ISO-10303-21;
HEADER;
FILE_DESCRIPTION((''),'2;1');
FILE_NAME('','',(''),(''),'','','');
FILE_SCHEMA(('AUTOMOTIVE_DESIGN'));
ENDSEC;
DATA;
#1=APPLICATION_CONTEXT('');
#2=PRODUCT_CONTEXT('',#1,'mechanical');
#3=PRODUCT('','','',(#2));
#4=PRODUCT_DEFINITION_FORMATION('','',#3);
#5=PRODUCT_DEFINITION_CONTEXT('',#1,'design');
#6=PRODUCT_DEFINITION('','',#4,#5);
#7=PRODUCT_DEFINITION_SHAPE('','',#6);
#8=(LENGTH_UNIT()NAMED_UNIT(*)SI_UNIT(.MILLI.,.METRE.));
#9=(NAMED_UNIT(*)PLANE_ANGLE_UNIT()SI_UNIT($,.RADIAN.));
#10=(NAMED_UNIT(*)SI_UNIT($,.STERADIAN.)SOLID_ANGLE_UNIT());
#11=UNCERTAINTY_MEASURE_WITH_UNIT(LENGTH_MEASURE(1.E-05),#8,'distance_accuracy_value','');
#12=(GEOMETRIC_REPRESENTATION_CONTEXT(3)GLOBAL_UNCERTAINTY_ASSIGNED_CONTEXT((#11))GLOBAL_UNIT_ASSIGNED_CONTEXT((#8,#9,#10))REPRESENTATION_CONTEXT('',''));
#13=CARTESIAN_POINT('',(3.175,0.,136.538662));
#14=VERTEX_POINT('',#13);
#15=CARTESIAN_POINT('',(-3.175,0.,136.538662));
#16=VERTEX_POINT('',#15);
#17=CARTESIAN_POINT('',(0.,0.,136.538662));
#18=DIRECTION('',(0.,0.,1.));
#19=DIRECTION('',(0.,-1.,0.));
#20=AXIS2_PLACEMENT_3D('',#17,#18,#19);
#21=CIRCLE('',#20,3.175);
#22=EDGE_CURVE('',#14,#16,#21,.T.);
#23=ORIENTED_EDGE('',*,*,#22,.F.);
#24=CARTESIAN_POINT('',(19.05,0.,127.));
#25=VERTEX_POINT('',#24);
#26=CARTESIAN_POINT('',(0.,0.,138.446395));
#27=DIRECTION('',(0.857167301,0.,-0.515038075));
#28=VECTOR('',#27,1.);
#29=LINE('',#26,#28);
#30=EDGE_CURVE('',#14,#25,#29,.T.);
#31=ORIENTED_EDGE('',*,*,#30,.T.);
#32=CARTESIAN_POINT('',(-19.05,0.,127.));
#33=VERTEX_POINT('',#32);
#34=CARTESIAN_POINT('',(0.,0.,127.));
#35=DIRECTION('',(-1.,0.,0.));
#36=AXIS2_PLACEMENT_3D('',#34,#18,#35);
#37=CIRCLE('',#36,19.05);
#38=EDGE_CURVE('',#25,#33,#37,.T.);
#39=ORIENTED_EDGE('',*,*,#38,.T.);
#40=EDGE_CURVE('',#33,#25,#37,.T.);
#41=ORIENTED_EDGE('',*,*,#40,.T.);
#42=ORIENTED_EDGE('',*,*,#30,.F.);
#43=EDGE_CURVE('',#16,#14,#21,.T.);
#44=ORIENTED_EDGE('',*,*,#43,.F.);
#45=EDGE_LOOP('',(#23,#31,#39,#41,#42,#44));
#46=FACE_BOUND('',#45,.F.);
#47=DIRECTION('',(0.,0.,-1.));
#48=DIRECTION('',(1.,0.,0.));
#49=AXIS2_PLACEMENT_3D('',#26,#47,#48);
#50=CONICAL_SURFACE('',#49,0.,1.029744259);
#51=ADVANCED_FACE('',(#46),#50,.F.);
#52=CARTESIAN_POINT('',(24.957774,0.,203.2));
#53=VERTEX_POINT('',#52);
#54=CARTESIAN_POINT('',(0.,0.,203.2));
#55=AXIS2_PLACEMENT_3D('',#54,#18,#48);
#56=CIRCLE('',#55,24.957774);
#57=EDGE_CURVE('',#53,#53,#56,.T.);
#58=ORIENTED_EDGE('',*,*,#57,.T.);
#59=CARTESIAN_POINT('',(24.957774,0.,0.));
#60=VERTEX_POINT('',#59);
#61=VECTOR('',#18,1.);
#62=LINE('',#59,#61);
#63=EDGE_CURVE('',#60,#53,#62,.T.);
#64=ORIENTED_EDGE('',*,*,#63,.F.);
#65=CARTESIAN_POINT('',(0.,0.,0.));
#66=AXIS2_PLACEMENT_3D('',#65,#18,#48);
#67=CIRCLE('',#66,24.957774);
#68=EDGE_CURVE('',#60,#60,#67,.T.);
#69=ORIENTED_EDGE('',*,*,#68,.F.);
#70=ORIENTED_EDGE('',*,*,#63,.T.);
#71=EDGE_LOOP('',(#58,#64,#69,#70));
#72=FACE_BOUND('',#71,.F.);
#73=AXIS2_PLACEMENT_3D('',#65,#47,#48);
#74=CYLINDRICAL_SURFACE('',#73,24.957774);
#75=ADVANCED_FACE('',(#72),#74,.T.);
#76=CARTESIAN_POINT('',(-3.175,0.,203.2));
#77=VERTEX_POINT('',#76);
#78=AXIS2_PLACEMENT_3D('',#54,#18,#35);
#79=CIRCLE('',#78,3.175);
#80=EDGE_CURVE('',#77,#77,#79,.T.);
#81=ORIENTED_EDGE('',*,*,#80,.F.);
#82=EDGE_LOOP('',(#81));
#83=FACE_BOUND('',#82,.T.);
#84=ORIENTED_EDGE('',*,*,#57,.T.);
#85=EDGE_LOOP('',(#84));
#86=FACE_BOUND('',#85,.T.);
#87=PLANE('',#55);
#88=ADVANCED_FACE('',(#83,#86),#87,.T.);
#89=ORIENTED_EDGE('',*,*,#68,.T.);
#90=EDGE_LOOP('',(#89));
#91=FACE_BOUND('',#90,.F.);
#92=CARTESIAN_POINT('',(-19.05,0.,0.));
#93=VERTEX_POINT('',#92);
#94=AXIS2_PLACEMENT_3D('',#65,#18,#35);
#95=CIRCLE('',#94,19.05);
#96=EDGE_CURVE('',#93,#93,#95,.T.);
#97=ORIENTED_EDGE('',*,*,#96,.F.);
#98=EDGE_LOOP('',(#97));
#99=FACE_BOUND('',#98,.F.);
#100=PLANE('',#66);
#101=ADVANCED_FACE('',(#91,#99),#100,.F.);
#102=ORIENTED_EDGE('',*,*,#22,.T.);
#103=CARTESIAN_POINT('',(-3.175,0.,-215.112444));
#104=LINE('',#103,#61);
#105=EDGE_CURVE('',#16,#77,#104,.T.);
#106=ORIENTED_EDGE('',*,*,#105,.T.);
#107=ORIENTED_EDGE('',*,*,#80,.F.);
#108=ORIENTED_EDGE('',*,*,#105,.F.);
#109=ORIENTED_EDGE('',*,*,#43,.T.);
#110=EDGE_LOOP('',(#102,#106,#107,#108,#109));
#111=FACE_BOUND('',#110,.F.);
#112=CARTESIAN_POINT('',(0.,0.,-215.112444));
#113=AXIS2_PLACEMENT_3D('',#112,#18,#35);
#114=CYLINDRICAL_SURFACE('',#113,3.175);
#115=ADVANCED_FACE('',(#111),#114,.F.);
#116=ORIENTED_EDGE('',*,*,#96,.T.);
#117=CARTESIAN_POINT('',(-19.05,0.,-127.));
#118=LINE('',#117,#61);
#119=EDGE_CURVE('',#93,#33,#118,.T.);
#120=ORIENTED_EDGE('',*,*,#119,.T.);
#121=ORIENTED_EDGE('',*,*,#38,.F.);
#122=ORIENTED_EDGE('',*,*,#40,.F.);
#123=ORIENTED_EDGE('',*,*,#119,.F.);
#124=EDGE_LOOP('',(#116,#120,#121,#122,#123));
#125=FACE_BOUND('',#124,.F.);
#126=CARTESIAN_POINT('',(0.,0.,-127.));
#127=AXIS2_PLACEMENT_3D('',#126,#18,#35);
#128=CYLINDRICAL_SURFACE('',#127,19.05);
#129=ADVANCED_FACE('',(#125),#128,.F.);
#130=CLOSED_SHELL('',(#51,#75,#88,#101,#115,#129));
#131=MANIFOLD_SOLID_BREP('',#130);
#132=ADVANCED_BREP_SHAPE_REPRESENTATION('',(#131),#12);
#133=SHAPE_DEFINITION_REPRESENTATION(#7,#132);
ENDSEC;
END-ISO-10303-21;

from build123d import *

# Parameters (mm, degrees)
F1_R     = 24.9577735622
F2_DEPTH = 203.2
F3_D     = 38.1
F3_DEPTH = 127
F3_TIP   = 11.4463947925
F5_D     = 6.35


with BuildPart() as f2:
    # F1 (on Top) → F2 (new body)
    with BuildSketch(Plane.XY):
        Circle(F1_R)
    extrude(amount=F2_DEPTH)

    # F3
    with Locations(Plane(origin=(0, 0, 0), x_dir=(1, 0, 0), z_dir=(0, 0, -1))):
        with Locations((0, 0)):
            Hole(F3_D / 2, depth=F3_DEPTH)
            with Locations((0, 0, -(F3_DEPTH + F3_TIP / 2))):  # 118° drill point
                Cone(0, F3_D / 2, F3_TIP, mode=Mode.SUBTRACT)

    # F5 (through all)
    with Locations(Plane(origin=(0, 0, 0), x_dir=(1, 0, 0), z_dir=(0, 0, -1))):
        with Locations((0, 0)):
            Hole(F5_D / 2)


solid = f2.part
